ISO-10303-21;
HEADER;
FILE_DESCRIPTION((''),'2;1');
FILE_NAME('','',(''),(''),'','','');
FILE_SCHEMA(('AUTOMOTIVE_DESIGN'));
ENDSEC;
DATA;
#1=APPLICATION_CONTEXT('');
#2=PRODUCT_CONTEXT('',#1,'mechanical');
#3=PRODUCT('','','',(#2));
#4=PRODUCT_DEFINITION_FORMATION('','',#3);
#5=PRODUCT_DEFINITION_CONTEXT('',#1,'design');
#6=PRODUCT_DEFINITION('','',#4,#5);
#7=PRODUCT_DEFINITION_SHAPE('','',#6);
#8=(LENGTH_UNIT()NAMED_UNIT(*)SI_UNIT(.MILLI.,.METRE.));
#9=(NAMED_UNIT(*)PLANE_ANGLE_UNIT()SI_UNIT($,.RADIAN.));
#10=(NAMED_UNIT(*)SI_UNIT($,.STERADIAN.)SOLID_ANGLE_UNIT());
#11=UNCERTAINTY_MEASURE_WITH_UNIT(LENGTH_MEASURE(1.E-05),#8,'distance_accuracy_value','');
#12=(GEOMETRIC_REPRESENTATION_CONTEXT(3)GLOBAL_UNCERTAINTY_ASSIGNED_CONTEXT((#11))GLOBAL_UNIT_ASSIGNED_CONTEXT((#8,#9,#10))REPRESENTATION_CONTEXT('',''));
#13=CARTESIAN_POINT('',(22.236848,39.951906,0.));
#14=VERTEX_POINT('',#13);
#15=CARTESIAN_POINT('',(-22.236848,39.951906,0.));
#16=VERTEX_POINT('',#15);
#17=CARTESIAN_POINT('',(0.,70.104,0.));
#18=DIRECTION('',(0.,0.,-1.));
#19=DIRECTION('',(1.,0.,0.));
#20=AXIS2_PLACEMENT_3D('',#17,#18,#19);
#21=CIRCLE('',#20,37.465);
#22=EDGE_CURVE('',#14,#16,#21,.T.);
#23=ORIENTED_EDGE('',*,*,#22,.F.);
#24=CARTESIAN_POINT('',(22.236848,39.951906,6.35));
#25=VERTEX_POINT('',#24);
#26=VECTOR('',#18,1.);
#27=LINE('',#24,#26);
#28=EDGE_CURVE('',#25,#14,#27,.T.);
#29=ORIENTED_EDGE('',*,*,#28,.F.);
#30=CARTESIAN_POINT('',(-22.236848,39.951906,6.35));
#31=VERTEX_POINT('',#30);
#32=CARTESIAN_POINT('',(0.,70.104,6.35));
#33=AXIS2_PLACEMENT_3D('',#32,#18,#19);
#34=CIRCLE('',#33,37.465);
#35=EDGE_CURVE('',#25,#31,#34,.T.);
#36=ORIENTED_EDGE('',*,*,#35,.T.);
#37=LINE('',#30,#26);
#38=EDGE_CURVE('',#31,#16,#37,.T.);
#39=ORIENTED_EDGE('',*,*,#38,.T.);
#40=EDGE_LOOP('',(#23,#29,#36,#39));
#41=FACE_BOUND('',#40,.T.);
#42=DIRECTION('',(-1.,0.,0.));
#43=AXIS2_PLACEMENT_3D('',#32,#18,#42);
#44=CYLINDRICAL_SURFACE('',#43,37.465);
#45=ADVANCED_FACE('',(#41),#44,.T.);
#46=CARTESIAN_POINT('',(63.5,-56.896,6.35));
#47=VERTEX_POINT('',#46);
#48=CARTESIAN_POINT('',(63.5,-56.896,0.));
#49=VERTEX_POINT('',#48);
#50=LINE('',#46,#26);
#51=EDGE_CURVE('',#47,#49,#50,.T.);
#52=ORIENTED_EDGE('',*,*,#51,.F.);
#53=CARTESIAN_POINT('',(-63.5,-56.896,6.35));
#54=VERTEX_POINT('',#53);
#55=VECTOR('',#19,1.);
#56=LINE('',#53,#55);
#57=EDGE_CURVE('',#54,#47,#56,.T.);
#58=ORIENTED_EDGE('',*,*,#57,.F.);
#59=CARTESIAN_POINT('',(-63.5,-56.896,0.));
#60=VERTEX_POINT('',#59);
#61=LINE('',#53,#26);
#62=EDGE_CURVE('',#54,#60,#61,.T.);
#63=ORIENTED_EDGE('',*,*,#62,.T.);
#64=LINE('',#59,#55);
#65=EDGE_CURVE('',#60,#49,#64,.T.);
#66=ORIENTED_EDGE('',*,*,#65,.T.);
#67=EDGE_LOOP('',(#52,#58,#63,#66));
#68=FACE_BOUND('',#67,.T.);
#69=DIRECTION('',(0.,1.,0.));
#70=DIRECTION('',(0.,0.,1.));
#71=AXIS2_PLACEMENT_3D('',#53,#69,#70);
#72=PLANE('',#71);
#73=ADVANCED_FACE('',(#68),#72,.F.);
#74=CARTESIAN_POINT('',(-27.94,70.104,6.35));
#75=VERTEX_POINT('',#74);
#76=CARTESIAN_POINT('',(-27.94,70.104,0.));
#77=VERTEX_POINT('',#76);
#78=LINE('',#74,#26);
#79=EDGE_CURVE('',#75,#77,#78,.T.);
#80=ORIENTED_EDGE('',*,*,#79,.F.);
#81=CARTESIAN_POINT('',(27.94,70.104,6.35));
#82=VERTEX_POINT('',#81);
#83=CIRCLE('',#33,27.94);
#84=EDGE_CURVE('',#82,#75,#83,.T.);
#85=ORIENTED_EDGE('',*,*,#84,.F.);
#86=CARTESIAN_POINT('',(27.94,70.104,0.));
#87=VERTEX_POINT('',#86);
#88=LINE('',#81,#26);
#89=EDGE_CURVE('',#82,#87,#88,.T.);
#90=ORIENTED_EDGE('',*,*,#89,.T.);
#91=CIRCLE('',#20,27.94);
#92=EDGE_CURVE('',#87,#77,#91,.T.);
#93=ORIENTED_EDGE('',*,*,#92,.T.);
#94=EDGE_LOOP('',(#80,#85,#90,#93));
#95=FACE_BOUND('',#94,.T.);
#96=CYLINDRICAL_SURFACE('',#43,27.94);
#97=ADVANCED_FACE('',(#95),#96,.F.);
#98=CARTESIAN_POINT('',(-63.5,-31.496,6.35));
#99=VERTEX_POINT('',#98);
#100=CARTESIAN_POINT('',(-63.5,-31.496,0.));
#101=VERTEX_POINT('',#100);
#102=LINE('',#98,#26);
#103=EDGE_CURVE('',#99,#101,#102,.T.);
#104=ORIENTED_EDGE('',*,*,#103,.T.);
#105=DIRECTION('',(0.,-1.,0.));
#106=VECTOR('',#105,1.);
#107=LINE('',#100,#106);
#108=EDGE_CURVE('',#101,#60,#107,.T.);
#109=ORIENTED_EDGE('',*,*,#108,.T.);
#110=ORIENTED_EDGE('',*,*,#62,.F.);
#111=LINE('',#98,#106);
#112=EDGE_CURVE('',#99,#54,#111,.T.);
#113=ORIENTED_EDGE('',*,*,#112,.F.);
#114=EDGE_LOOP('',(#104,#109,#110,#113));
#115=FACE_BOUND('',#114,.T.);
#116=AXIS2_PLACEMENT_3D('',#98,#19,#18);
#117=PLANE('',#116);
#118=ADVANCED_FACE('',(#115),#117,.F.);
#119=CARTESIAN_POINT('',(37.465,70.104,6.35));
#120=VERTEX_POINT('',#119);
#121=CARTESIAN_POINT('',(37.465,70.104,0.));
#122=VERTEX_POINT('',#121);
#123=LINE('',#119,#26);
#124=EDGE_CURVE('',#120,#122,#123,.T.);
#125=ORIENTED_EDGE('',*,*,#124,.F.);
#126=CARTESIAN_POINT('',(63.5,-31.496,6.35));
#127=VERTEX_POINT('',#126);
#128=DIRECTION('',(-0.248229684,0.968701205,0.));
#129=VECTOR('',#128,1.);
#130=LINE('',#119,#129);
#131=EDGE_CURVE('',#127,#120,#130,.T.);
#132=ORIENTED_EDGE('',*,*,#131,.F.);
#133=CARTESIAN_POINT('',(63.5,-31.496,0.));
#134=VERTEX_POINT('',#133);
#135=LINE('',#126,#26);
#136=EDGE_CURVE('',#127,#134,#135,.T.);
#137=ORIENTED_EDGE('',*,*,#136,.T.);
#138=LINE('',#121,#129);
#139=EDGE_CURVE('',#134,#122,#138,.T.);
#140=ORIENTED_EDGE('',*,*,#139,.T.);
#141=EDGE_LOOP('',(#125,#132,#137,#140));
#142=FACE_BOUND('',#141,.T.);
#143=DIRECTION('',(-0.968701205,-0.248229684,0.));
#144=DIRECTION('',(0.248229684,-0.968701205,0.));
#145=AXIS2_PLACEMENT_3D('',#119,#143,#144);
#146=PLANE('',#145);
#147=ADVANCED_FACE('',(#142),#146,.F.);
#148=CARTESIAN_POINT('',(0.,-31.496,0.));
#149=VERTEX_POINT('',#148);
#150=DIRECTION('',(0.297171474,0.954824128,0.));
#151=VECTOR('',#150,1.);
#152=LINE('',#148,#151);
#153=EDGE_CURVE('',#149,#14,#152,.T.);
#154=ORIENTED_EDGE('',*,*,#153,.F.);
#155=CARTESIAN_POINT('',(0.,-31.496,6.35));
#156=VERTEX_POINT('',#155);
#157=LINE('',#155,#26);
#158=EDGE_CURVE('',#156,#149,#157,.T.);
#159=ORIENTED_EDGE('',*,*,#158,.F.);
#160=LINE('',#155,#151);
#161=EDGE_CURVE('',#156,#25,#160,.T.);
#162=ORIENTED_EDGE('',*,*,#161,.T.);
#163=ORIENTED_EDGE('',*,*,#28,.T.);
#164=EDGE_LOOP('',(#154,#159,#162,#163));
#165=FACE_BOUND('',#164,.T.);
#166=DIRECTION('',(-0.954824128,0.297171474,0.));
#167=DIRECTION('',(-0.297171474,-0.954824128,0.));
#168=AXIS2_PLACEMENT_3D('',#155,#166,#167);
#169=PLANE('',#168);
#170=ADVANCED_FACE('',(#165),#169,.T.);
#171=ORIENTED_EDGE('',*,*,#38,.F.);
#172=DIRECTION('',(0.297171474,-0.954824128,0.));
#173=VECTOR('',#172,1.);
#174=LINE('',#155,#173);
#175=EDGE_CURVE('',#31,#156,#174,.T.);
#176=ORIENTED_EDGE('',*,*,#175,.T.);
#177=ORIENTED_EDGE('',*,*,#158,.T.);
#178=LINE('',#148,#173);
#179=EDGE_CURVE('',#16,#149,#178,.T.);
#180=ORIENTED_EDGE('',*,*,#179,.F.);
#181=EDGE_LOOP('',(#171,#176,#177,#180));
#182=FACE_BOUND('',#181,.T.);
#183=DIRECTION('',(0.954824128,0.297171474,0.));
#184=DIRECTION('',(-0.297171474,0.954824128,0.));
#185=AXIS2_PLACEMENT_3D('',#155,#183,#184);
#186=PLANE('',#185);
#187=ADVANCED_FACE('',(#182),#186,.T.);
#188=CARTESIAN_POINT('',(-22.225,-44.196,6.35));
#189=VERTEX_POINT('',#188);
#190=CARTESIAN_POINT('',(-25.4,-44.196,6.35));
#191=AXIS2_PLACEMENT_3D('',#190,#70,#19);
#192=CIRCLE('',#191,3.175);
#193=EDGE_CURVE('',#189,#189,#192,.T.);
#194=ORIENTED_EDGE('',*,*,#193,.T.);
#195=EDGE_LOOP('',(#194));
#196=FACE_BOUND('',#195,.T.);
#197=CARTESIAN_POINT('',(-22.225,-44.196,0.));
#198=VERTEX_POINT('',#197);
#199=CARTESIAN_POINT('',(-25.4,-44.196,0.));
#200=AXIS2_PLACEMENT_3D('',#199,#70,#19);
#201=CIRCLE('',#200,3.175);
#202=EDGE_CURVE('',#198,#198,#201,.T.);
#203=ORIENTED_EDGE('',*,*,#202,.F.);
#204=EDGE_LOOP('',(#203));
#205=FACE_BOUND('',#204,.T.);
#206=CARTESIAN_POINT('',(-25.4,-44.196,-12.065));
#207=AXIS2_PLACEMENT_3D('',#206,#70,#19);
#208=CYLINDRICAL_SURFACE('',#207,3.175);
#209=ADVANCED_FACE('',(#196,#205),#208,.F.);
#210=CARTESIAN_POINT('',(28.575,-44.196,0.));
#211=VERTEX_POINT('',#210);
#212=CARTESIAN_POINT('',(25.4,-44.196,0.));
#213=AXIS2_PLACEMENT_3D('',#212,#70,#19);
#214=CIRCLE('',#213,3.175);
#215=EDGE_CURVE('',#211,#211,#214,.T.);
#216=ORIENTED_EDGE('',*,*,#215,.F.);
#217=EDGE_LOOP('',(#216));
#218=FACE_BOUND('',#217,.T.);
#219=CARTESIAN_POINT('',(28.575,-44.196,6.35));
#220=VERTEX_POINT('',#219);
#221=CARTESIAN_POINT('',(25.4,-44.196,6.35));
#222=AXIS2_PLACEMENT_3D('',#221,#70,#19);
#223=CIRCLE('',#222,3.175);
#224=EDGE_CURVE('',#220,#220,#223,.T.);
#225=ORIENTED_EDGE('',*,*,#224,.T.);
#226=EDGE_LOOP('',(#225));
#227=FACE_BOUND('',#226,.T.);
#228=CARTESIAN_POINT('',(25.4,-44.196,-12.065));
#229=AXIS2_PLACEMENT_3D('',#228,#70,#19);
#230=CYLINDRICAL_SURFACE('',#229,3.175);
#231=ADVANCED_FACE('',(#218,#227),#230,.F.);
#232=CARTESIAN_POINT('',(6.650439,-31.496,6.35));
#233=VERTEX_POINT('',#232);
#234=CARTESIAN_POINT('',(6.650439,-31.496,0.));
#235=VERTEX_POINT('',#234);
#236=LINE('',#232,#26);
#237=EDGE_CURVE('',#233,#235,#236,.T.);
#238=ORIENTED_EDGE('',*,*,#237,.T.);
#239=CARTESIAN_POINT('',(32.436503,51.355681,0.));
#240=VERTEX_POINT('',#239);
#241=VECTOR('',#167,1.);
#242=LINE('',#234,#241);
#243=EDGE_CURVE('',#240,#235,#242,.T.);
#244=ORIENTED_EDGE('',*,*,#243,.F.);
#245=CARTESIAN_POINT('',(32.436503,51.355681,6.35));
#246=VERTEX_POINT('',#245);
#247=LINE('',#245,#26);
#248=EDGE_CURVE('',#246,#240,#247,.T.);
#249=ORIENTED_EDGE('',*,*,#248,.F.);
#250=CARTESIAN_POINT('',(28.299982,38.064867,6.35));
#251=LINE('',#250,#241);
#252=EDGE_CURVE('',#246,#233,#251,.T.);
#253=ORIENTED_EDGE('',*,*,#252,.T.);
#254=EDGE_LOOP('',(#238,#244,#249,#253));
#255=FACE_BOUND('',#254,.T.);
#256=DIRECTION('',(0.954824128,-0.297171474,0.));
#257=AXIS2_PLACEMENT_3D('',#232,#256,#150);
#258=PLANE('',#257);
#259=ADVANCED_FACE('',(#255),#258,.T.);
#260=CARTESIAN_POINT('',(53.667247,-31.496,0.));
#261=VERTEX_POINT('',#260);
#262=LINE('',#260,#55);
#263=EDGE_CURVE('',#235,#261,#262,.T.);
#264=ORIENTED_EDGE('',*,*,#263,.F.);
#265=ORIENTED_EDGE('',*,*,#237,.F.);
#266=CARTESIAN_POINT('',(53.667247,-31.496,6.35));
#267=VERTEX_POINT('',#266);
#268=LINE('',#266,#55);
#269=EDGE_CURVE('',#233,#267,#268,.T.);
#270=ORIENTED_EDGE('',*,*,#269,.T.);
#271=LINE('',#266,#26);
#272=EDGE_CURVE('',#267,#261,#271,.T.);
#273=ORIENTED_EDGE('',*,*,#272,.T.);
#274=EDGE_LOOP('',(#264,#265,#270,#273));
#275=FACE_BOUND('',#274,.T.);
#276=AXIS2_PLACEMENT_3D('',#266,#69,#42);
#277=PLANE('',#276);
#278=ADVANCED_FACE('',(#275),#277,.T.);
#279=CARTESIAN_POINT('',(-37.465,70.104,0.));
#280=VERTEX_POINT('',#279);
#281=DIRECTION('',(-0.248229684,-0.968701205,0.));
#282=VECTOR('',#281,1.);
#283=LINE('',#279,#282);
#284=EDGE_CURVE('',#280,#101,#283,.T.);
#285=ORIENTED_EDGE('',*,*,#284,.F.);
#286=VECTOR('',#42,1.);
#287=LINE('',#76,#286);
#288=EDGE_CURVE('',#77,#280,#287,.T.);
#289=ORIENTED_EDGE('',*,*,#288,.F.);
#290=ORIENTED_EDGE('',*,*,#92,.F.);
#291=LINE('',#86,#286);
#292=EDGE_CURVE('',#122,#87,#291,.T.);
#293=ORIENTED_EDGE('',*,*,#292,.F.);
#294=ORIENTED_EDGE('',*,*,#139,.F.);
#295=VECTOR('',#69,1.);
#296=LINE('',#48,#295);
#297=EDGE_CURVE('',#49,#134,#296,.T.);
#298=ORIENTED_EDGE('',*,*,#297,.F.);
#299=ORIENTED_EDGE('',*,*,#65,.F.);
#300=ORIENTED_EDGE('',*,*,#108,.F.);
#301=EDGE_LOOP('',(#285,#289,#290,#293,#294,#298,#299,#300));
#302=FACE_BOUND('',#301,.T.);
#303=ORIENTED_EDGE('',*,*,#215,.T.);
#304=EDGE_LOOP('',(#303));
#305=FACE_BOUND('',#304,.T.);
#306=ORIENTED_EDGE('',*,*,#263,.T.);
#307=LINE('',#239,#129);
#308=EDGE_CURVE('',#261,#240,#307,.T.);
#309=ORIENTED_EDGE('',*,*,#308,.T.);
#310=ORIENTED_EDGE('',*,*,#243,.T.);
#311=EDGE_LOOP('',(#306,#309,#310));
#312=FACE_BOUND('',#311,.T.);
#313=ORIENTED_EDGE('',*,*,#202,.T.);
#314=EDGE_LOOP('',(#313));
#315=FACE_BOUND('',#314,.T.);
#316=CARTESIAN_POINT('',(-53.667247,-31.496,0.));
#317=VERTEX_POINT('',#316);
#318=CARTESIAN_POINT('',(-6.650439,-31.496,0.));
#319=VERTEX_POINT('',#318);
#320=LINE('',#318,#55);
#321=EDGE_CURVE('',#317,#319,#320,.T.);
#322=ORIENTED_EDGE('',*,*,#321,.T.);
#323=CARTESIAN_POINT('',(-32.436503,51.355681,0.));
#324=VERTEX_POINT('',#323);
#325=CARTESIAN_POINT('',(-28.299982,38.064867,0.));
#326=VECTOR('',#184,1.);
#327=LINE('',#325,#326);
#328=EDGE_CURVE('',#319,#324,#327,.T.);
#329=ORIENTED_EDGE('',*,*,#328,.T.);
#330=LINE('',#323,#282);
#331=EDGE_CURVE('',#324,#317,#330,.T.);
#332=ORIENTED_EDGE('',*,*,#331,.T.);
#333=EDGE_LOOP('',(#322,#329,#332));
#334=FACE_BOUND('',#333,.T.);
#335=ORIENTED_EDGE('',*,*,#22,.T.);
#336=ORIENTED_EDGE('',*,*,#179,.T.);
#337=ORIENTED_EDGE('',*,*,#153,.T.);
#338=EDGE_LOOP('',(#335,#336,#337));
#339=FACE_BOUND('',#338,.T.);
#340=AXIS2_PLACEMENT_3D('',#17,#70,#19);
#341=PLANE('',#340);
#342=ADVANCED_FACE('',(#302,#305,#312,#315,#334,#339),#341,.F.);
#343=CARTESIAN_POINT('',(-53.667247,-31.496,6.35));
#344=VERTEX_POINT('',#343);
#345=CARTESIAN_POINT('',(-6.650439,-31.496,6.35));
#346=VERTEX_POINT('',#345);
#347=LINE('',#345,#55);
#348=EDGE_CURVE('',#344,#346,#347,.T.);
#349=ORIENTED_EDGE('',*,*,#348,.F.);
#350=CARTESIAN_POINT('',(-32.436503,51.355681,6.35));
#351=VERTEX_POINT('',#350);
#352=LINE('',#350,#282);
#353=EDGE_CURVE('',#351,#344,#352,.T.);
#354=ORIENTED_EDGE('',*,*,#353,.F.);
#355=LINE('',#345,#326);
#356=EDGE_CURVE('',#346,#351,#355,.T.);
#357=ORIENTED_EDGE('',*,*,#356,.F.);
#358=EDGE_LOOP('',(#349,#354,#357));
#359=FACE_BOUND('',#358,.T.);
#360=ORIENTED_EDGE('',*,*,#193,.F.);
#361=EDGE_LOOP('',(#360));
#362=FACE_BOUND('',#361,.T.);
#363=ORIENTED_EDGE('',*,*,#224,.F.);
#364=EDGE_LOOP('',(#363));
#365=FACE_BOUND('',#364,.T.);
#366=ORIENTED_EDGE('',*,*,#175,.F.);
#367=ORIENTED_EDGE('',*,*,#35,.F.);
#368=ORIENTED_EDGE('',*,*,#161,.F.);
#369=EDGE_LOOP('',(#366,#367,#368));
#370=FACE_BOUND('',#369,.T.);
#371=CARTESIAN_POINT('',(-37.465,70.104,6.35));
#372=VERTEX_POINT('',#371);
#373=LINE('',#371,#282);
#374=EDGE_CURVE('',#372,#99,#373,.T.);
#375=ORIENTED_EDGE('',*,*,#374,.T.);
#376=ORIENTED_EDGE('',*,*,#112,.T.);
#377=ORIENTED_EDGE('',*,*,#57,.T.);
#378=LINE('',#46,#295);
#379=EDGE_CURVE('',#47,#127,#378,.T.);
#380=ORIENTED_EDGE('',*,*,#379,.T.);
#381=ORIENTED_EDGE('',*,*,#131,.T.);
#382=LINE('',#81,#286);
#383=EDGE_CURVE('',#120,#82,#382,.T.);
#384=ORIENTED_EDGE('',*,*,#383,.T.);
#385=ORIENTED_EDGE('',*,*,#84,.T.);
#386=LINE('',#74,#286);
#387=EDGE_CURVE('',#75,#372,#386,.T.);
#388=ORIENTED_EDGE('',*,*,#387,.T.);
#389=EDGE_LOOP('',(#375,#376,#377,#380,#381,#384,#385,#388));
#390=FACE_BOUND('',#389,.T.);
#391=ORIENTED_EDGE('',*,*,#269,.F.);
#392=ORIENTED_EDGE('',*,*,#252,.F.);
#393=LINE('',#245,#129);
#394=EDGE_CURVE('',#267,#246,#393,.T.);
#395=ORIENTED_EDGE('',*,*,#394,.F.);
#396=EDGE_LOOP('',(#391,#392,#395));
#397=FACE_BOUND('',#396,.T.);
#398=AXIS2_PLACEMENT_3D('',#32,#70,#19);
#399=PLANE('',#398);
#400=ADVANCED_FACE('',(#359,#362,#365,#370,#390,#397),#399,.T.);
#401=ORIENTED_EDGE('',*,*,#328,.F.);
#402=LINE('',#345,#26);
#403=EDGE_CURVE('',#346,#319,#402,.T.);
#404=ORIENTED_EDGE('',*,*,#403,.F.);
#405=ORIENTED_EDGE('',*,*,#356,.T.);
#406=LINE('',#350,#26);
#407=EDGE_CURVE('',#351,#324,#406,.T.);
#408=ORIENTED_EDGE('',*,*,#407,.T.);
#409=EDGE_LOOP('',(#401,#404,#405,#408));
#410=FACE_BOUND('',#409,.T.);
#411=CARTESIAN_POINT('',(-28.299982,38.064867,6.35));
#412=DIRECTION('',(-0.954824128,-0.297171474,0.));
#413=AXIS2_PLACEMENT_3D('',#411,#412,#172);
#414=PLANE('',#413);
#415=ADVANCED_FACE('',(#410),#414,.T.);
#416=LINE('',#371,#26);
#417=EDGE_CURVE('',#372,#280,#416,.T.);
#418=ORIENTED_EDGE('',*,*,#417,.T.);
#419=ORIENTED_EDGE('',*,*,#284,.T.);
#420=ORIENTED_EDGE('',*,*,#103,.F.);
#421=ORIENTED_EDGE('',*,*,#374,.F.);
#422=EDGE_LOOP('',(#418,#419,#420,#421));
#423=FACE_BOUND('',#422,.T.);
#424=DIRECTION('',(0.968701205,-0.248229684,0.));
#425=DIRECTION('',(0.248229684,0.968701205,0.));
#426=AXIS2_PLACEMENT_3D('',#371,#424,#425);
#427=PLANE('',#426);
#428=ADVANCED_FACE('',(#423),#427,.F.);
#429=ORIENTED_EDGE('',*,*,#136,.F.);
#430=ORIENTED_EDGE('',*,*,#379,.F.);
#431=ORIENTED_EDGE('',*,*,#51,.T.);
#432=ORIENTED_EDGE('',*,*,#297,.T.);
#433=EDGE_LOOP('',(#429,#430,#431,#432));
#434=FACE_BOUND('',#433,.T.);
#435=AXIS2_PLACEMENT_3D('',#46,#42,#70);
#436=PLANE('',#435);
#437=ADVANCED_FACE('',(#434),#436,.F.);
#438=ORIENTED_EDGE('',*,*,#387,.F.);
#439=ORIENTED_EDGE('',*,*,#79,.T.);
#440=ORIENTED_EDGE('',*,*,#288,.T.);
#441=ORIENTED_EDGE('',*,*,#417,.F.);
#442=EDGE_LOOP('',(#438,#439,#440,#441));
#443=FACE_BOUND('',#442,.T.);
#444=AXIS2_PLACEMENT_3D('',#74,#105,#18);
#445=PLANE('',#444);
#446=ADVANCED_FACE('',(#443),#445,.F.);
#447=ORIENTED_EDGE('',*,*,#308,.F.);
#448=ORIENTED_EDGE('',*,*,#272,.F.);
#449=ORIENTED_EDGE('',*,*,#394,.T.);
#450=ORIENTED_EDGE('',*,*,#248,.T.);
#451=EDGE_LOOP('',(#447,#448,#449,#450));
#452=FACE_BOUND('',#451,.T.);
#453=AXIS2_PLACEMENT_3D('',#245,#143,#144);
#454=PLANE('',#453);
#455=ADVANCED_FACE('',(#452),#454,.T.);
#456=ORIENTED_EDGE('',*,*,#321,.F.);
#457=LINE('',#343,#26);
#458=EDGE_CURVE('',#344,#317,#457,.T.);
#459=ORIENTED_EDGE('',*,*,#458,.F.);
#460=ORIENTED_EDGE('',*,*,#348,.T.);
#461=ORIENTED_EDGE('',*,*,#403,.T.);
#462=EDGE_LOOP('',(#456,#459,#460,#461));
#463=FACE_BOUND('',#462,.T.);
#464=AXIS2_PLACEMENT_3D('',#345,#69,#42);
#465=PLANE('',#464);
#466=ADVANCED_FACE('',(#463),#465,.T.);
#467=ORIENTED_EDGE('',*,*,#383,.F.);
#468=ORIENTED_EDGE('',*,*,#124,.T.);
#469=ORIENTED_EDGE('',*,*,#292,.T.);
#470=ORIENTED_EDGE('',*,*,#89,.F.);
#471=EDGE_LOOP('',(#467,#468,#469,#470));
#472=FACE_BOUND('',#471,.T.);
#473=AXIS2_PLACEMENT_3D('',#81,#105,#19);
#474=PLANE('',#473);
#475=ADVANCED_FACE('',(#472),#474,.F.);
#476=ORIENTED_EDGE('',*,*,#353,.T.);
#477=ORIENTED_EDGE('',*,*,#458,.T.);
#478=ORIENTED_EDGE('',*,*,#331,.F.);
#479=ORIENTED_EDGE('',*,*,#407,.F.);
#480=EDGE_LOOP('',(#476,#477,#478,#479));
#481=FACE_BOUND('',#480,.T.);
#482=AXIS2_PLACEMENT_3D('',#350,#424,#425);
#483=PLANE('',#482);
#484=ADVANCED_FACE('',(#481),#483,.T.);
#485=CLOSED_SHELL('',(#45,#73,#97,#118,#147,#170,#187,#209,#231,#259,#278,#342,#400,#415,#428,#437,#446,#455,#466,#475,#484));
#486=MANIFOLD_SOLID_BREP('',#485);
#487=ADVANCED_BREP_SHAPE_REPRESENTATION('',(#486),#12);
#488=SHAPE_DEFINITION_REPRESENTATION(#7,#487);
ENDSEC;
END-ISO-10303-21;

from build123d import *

# Parameters (mm, degrees)
BOSS_EXTRUDE1_DEPTH = 6.35
SKETCH2_R           = 3.175
CUT_EXTRUDE1_DEPTH  = 18.415


with BuildPart() as part:
    # Sketch1 → Boss-Extrude1 (new body)
    with BuildSketch(Plane.XY):
        with BuildLine():
            Line((-27.94, 70.104), (-37.465, 70.104))
            Line((-37.465, 70.104), (-63.5, -31.496))
            Line((-63.5, -31.496), (-63.5, -56.896))
            Line((-63.5, -56.896), (63.5, -56.896))
            Line((63.5, -56.896), (63.5, -31.496))
            Line((63.5, -31.496), (37.465, 70.104))
            Line((37.465, 70.104), (27.94, 70.104))
            ThreePointArc((27.94, 70.104), (0, 42.164), (-27.94, 70.104))
        make_face()
        Polygon((53.667246667, -31.496), (6.6504394, -31.496), (28.29998163, 38.06486673), (32.43650344, 51.355680886), align=None, mode=Mode.SUBTRACT)
        Polygon((-32.43650344, 51.355680886), (-53.667246667, -31.496), (-6.6504394, -31.496), (-28.29998163, 38.06486673), align=None, mode=Mode.SUBTRACT)
        with BuildLine():
            Line((0, -31.496), (22.236848418, 39.951905588))
            ThreePointArc((22.236848418, 39.951905588), (0, 32.639), (-22.236848418, 39.951905588))
            Line((-22.236848418, 39.951905588), (0, -31.496))
        make_face(mode=Mode.SUBTRACT)
    extrude(amount=BOSS_EXTRUDE1_DEPTH)

    # Sketch2 → Cut-Extrude1 (cut)
    with BuildSketch(Plane.XY.offset(6.35)):
        with Locations((-25.4, -44.196)):
            Circle(SKETCH2_R)
        with Locations((25.4, -44.196)):
            Circle(SKETCH2_R)
    extrude(amount=-CUT_EXTRUDE1_DEPTH, mode=Mode.SUBTRACT)


solid = part.part
